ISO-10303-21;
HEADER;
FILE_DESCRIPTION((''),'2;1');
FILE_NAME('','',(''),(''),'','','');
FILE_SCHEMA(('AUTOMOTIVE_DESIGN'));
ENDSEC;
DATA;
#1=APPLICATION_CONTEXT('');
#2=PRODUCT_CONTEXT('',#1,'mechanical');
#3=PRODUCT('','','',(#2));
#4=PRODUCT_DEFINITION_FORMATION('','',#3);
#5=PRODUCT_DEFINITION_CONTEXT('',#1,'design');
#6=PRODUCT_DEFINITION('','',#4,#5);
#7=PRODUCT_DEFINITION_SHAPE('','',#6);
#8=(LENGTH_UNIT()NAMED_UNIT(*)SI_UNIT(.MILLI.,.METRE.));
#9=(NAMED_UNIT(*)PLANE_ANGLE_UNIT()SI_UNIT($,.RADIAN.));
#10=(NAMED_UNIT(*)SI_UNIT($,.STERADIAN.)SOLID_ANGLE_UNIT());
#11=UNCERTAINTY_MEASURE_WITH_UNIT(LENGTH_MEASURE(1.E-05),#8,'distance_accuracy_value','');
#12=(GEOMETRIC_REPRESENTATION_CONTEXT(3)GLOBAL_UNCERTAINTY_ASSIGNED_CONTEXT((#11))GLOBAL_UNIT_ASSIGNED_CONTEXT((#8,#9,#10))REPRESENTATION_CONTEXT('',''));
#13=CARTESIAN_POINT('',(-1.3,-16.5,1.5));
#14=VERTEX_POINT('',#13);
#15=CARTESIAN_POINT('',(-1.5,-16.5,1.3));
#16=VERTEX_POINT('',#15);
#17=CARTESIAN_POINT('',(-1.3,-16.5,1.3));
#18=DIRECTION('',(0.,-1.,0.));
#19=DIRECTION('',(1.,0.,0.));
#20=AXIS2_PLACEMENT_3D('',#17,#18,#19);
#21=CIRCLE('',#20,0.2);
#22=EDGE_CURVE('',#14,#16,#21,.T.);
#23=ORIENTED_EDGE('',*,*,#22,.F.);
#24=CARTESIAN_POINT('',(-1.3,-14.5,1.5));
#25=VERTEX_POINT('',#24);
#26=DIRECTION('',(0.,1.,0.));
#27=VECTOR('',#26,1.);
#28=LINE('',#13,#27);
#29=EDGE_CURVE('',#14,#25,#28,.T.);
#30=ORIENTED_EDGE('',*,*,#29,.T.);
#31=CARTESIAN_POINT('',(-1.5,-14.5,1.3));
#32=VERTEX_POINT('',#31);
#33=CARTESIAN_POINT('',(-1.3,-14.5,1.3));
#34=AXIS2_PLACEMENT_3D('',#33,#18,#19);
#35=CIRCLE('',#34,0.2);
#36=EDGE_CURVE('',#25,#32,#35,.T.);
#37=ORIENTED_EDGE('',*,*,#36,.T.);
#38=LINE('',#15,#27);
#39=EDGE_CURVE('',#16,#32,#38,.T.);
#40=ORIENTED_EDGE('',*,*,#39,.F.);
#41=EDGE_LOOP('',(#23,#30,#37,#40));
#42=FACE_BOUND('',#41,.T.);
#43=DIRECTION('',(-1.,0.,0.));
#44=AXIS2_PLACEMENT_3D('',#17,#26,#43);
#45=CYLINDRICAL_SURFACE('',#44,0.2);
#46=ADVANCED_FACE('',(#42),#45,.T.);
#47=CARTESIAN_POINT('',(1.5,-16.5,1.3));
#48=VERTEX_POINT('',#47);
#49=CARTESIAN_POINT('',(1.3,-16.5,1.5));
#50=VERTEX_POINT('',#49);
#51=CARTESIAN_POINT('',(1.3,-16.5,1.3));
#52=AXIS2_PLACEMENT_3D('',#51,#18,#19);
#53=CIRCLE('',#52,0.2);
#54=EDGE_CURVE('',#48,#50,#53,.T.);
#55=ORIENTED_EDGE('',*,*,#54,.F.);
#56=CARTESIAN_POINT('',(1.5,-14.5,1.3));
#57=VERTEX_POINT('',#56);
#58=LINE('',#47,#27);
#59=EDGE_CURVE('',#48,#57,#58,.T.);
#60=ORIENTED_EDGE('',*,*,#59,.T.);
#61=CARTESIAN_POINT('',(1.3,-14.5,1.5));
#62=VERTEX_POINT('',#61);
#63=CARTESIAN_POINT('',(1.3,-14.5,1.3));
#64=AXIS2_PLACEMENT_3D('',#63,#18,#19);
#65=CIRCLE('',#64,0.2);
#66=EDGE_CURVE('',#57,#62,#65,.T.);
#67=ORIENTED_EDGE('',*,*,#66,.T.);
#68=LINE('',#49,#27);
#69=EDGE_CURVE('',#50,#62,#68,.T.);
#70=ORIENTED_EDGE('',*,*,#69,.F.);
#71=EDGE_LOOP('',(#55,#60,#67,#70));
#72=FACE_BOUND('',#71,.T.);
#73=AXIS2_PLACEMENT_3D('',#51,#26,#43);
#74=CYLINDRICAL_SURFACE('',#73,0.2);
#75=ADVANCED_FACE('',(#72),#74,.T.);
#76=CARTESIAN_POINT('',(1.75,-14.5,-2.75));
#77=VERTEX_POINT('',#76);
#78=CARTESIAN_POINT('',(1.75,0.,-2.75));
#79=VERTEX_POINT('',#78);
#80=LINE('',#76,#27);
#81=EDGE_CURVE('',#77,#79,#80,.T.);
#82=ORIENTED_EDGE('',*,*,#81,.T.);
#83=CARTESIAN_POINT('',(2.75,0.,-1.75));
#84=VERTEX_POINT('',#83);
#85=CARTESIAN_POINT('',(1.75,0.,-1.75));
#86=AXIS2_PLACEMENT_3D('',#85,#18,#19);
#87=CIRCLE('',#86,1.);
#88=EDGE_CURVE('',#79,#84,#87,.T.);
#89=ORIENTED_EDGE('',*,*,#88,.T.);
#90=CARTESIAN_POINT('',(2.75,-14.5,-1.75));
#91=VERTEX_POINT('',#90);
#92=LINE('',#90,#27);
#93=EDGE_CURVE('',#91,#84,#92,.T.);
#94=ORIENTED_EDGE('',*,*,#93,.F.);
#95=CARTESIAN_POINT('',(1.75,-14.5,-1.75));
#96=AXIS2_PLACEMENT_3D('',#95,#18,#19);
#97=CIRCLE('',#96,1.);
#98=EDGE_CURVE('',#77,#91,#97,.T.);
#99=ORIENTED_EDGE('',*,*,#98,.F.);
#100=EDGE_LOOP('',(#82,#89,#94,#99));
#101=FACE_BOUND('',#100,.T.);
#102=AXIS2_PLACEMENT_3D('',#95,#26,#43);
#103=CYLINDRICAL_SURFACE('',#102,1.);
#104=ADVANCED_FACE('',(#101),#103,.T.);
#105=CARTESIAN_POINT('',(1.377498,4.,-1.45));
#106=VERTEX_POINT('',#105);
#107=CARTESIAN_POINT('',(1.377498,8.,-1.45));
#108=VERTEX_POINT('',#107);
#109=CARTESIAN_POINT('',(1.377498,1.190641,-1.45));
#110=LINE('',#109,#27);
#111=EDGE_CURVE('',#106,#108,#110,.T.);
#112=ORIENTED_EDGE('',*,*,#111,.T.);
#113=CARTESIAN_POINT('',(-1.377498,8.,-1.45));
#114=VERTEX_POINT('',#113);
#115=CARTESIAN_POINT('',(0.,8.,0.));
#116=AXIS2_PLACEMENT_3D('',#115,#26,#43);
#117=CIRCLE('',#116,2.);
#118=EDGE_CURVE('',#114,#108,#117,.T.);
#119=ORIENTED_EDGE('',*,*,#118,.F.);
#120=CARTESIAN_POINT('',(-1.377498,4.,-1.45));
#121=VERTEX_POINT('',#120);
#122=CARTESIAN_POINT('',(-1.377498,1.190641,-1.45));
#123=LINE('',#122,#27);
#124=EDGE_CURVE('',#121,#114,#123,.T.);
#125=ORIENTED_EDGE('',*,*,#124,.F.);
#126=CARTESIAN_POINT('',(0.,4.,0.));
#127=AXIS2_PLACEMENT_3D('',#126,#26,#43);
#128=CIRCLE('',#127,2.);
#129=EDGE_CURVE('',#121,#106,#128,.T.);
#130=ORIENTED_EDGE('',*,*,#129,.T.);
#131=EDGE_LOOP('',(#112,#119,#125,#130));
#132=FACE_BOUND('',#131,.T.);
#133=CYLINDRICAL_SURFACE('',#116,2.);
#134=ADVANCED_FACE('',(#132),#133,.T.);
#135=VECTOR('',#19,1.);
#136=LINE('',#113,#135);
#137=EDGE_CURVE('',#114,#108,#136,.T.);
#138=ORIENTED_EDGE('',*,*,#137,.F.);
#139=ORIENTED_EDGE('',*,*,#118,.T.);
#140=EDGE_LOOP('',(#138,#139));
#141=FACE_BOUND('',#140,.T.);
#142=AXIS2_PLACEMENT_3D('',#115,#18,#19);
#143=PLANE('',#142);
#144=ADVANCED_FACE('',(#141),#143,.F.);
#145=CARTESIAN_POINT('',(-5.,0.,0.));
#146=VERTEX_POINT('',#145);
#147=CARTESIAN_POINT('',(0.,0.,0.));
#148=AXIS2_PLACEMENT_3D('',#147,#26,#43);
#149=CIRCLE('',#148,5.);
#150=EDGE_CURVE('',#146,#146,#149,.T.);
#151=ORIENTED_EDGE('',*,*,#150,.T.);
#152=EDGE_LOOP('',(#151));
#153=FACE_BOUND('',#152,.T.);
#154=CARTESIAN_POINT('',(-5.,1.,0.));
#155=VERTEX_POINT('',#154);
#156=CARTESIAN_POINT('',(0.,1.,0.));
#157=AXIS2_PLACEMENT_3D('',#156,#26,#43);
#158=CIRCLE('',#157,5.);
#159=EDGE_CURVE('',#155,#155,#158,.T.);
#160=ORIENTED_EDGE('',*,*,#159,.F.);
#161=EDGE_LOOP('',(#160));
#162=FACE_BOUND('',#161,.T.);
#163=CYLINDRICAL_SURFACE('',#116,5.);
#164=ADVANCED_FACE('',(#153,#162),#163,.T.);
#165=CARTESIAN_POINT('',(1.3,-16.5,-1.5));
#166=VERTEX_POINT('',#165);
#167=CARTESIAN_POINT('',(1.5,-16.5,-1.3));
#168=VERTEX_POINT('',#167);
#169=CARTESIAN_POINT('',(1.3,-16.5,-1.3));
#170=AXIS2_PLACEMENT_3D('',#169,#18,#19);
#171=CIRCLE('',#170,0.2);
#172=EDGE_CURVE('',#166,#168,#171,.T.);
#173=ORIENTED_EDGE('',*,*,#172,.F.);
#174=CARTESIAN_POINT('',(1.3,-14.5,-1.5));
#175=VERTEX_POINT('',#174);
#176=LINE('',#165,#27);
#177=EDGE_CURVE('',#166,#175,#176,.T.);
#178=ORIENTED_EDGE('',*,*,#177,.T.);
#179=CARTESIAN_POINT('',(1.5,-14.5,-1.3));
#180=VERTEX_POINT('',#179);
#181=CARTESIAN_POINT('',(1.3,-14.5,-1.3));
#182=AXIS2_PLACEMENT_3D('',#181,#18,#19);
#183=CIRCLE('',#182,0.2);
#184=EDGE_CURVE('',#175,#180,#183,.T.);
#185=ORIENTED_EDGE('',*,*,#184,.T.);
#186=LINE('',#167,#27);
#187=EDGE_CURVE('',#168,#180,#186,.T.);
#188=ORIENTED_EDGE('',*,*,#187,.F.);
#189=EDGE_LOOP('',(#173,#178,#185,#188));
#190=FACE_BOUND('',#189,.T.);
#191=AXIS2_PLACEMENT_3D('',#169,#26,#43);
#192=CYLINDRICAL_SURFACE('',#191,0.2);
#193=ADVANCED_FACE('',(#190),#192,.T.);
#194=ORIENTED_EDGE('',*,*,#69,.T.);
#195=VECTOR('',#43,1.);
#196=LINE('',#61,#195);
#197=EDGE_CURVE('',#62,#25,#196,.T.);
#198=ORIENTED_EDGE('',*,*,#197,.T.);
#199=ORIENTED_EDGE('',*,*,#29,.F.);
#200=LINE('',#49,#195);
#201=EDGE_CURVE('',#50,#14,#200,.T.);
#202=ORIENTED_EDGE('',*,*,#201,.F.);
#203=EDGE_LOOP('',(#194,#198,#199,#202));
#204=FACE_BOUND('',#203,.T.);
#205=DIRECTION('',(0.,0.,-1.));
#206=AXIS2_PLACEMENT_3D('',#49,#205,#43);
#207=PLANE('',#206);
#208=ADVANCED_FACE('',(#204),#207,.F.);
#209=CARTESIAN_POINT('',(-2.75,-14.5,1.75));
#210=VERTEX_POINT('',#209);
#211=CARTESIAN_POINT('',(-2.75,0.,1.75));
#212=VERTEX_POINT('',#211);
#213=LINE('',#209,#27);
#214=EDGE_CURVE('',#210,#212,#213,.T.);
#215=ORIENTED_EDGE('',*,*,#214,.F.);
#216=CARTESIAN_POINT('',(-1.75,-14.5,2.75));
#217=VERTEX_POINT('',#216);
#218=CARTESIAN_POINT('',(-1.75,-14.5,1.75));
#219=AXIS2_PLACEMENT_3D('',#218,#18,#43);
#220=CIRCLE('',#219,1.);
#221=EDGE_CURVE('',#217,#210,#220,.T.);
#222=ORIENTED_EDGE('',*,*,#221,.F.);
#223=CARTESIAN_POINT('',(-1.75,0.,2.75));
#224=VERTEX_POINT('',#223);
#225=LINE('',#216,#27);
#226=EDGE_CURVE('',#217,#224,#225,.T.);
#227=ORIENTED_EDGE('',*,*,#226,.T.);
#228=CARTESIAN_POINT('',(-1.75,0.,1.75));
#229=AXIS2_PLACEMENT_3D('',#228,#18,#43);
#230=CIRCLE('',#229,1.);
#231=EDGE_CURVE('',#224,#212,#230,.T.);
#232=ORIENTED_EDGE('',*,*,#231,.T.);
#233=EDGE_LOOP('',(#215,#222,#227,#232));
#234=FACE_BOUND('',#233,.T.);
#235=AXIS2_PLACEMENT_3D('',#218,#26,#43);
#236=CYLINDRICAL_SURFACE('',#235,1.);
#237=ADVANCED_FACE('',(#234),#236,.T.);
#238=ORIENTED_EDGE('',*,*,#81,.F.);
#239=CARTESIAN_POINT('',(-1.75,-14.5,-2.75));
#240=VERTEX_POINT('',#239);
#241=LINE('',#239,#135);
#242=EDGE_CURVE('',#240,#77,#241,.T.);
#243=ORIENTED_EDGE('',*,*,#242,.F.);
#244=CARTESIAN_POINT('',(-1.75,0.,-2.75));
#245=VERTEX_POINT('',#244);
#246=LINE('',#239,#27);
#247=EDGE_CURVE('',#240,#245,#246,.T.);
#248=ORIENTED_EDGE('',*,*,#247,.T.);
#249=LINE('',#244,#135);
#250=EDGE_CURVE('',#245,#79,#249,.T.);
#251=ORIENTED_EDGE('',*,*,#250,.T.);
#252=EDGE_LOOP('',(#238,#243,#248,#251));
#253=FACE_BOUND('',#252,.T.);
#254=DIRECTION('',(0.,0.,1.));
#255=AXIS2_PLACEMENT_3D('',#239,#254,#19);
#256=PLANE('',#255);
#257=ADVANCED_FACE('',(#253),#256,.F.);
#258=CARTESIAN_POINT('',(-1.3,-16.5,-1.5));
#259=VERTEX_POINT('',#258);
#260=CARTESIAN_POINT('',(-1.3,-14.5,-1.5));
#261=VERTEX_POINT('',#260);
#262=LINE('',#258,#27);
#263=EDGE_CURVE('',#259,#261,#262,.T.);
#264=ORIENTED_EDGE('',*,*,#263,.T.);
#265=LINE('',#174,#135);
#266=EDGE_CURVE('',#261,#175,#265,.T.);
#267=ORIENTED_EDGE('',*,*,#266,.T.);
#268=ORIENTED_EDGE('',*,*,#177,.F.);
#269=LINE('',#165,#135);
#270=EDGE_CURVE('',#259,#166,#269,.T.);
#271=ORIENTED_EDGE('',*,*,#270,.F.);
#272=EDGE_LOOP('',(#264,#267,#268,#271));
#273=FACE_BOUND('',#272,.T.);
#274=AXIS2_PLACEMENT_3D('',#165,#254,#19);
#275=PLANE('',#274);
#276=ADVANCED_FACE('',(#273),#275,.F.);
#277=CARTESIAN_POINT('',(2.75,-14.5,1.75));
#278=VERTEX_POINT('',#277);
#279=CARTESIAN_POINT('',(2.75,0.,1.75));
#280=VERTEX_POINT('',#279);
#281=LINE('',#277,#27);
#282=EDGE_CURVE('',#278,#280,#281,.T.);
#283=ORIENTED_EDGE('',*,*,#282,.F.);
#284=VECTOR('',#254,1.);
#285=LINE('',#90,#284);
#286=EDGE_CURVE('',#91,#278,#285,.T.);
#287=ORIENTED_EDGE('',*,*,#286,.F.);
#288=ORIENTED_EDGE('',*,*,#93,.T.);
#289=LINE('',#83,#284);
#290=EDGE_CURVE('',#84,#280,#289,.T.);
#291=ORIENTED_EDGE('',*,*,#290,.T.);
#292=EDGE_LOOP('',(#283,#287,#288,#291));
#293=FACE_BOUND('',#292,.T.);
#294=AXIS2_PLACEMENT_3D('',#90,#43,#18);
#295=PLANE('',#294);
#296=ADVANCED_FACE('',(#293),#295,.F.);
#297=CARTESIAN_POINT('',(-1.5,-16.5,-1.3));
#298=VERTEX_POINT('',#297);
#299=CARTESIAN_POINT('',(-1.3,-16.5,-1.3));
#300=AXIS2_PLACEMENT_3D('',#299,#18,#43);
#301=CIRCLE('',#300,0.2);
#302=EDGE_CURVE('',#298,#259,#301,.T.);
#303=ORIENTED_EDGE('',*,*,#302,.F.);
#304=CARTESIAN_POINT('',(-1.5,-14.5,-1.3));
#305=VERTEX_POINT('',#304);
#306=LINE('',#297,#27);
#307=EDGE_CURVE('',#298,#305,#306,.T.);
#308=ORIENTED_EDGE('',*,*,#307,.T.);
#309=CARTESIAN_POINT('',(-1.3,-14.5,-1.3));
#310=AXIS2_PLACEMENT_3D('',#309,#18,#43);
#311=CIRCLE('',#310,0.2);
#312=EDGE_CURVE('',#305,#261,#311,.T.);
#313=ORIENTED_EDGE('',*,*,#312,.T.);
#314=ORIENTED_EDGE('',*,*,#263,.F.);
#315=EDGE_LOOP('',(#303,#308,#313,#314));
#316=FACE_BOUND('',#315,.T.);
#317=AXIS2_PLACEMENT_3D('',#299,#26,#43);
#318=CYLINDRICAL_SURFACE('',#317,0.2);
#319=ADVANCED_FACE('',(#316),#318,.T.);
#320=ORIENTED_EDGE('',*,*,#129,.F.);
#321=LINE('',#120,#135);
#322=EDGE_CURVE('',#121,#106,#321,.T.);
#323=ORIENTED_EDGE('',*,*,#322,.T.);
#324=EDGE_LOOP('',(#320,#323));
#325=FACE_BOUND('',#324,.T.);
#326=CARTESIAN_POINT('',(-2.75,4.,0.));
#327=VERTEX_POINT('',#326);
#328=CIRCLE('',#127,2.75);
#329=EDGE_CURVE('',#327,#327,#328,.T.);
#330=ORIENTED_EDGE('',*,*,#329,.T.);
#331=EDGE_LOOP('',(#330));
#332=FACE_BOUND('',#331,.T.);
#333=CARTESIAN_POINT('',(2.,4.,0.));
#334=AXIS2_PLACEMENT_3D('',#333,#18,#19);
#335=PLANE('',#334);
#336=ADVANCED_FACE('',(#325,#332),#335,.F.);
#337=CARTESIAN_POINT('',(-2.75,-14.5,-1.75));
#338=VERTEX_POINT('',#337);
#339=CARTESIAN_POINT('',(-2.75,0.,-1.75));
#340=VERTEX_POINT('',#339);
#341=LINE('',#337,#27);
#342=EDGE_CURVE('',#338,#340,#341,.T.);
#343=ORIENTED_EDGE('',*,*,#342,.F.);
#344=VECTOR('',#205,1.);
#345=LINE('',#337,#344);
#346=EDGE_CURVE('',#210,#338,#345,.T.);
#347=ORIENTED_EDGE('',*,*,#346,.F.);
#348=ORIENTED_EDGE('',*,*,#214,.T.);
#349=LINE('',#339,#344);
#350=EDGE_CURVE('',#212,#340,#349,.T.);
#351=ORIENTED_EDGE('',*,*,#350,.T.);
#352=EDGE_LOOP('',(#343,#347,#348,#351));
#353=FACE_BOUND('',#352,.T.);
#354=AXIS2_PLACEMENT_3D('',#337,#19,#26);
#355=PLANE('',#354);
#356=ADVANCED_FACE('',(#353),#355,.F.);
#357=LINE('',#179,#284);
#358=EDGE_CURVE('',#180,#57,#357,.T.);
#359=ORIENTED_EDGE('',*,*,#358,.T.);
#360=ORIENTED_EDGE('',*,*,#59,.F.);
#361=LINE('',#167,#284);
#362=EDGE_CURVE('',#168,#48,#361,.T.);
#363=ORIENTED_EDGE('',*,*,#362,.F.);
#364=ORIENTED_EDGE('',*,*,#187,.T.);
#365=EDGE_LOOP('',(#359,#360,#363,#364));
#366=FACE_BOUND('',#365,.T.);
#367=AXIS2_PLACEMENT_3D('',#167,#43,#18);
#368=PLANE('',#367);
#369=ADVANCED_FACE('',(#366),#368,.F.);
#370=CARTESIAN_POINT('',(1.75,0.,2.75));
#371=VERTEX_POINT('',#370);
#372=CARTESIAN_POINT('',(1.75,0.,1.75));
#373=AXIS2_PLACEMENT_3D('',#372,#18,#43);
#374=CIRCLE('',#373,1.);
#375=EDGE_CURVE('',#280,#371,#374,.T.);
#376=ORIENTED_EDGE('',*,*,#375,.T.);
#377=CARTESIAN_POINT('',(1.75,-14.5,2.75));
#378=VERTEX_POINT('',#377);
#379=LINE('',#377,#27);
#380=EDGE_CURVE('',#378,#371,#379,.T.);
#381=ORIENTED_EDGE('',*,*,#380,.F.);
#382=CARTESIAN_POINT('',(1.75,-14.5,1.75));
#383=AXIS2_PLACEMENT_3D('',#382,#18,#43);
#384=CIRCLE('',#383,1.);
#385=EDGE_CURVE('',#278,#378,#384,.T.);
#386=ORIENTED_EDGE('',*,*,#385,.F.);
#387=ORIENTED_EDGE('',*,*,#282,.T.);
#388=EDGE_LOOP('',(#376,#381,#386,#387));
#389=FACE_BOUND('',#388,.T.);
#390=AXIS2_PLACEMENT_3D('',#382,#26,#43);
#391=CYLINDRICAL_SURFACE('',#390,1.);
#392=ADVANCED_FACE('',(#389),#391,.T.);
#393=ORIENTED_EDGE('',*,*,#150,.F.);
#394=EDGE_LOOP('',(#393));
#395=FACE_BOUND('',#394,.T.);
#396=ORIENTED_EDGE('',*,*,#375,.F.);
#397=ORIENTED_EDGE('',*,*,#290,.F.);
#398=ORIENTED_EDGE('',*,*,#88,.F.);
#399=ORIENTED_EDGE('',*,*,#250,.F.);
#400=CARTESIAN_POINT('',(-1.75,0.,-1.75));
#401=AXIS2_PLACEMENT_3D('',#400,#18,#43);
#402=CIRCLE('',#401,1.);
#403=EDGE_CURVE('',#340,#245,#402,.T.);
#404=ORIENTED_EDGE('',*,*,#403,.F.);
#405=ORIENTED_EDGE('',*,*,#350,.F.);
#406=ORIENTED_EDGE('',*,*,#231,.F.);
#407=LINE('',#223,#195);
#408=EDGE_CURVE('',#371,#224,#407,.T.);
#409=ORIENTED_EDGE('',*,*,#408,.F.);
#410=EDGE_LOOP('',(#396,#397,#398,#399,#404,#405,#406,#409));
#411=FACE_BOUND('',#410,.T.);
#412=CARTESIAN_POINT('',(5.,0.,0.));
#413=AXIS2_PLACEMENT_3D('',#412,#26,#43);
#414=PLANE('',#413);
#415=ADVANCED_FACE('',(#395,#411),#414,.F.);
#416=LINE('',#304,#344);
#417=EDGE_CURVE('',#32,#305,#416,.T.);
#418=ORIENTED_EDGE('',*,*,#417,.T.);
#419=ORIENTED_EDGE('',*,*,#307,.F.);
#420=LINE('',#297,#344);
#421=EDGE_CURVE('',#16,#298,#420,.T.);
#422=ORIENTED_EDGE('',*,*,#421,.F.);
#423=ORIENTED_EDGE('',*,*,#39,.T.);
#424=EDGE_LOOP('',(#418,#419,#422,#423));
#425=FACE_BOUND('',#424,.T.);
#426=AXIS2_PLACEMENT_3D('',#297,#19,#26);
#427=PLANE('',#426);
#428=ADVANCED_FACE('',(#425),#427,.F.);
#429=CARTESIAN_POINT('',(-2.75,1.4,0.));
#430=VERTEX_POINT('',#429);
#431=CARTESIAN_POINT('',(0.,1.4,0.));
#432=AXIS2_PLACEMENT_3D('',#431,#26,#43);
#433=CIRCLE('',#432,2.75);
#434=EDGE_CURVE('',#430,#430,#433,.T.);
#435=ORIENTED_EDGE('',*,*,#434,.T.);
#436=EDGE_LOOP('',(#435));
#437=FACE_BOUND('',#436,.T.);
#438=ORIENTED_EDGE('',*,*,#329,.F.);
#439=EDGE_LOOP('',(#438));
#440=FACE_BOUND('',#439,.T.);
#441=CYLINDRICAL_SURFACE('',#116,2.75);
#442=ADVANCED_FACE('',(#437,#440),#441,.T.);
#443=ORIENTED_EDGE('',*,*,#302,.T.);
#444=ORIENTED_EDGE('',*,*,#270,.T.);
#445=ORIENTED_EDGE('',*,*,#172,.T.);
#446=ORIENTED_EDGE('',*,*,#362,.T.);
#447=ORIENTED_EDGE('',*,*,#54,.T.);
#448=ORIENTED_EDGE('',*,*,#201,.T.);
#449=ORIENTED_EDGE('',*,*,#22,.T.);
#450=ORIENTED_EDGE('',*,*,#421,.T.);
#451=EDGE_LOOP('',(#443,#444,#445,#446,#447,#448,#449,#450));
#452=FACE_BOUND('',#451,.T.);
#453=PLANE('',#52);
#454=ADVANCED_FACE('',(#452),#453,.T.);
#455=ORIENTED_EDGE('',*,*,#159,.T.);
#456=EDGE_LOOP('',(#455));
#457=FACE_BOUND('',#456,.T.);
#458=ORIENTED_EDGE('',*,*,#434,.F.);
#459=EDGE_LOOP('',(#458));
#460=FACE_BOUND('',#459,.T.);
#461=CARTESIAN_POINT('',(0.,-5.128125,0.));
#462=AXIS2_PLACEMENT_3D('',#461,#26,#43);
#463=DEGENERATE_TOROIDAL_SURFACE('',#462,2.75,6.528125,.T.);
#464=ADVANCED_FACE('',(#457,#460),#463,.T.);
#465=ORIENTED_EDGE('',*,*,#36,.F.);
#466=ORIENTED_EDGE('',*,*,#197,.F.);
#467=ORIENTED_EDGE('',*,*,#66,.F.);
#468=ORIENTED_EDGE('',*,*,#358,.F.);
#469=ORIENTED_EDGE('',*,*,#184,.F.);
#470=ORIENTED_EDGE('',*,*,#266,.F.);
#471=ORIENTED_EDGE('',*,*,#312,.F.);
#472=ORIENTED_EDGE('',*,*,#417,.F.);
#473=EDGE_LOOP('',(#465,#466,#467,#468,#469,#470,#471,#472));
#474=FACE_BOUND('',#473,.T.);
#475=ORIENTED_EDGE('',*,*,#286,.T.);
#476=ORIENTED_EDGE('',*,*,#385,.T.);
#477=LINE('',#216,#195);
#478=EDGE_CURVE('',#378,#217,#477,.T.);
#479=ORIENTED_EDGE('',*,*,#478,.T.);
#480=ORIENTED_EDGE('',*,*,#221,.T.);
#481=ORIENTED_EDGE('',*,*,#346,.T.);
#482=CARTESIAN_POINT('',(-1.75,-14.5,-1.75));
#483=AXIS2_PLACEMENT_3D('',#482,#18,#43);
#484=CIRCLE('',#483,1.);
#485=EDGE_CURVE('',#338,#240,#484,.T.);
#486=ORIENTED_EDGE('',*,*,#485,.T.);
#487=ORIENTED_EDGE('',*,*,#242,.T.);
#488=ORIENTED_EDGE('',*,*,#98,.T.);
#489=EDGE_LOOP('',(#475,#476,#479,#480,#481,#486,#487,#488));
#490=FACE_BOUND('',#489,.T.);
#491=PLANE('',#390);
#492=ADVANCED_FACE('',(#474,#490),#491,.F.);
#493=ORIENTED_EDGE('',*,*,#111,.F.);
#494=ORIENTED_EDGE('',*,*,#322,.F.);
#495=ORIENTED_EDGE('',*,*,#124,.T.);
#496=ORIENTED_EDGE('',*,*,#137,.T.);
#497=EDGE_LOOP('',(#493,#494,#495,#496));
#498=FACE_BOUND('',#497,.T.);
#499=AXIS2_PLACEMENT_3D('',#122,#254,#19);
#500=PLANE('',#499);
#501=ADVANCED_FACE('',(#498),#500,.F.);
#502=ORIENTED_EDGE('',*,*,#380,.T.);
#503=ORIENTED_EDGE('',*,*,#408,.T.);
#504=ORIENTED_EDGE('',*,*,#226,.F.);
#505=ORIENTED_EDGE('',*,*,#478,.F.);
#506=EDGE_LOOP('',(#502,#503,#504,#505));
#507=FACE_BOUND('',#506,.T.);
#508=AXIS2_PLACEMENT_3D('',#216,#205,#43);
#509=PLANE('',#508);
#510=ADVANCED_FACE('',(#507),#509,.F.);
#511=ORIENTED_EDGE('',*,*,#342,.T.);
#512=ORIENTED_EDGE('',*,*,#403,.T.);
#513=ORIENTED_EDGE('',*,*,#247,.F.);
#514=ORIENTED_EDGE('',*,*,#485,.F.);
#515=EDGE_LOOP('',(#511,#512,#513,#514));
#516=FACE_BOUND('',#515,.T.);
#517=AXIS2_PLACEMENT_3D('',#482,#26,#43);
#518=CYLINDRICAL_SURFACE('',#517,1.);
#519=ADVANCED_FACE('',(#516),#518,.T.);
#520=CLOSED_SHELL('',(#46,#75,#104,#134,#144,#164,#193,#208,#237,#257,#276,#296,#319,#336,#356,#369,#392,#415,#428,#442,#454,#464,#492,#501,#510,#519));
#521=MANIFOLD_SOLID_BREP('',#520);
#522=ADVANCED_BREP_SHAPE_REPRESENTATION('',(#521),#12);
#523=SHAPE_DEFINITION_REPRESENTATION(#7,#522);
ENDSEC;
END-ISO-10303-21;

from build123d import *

# Parameters (mm, degrees)
CUT_EXTRUDE1_START  = -4
CUT_EXTRUDE1_DEPTH  = 4
BOSS_EXTRUDE1_DEPTH = 14.5
BOSS_EXTRUDE2_DEPTH = 2


with BuildPart() as part:
    # Sketch1 → Revolve1 (revolve)
    with BuildSketch(Plane.XY, mode=Mode.PRIVATE) as revolve1_sk:
        with BuildLine():
            Line((0, 8), (2, 8))
            Line((2, 8), (2, 4))
            Line((2, 4), (2.75, 4))
            Line((2.75, 4), (2.75, 1.4))
            ThreePointArc((2.75, 1.4), (3.892639488, 1.299222121), (5, 1))
            Line((5, 1), (5, 0))
            Line((5, 0), (0, 0))
            Line((0, 0), (0, 8))
        make_face()
    revolve(revolve1_sk.sketch.rotate(Axis((0, 8, 0), (0, -1, 0)), 180), axis=Axis((0, 8, 0), (0, -1, 0)))

    # Sketch2 → Cut-Extrude1 (cut)
    with BuildSketch(Plane(origin=(0, 8, 0), x_dir=(1, 0, 0), z_dir=(0, 1, 0)).offset(CUT_EXTRUDE1_START)):
        with BuildLine():
            Line((-1.377497731, 1.45), (1.377497731, 1.45))
            ThreePointArc((1.377497731, 1.45), (0, 2), (-1.377497731, 1.45))
        make_face()
    extrude(amount=CUT_EXTRUDE1_DEPTH, mode=Mode.SUBTRACT)

    # Sketch3 → Boss-Extrude1 (add)
    with BuildSketch(Plane.XZ):
        with BuildLine():
            Line((-1.75, -2.75), (1.75, -2.75))
            ThreePointArc((1.75, -2.75), (2.457106781, -2.457106781), (2.75, -1.75))
            Line((2.75, -1.75), (2.75, 1.75))
            ThreePointArc((2.75, 1.75), (2.457106781, 2.457106781), (1.75, 2.75))
            Line((1.75, 2.75), (-1.75, 2.75))
            ThreePointArc((-1.75, 2.75), (-2.457106781, 2.457106781), (-2.75, 1.75))
            Line((-2.75, 1.75), (-2.75, -1.75))
            ThreePointArc((-2.75, -1.75), (-2.457106781, -2.457106781), (-1.75, -2.75))
        make_face()
    extrude(amount=BOSS_EXTRUDE1_DEPTH)

    # Sketch5 → Boss-Extrude2 (add)
    with BuildSketch(Plane.XZ.offset(14.5)):
        with BuildLine():
            Line((1.3, -1.5), (-1.3, -1.5))
            ThreePointArc((-1.3, -1.5), (-1.441421356, -1.441421356), (-1.5, -1.3))
            Line((-1.5, -1.3), (-1.5, 1.3))
            ThreePointArc((-1.5, 1.3), (-1.441421356, 1.441421356), (-1.3, 1.5))
            Line((-1.3, 1.5), (1.3, 1.5))
            ThreePointArc((1.3, 1.5), (1.441421356, 1.441421356), (1.5, 1.3))
            Line((1.5, 1.3), (1.5, -1.3))
            ThreePointArc((1.5, -1.3), (1.441421356, -1.441421356), (1.3, -1.5))
        make_face()
    extrude(amount=BOSS_EXTRUDE2_DEPTH)


solid = part.part
